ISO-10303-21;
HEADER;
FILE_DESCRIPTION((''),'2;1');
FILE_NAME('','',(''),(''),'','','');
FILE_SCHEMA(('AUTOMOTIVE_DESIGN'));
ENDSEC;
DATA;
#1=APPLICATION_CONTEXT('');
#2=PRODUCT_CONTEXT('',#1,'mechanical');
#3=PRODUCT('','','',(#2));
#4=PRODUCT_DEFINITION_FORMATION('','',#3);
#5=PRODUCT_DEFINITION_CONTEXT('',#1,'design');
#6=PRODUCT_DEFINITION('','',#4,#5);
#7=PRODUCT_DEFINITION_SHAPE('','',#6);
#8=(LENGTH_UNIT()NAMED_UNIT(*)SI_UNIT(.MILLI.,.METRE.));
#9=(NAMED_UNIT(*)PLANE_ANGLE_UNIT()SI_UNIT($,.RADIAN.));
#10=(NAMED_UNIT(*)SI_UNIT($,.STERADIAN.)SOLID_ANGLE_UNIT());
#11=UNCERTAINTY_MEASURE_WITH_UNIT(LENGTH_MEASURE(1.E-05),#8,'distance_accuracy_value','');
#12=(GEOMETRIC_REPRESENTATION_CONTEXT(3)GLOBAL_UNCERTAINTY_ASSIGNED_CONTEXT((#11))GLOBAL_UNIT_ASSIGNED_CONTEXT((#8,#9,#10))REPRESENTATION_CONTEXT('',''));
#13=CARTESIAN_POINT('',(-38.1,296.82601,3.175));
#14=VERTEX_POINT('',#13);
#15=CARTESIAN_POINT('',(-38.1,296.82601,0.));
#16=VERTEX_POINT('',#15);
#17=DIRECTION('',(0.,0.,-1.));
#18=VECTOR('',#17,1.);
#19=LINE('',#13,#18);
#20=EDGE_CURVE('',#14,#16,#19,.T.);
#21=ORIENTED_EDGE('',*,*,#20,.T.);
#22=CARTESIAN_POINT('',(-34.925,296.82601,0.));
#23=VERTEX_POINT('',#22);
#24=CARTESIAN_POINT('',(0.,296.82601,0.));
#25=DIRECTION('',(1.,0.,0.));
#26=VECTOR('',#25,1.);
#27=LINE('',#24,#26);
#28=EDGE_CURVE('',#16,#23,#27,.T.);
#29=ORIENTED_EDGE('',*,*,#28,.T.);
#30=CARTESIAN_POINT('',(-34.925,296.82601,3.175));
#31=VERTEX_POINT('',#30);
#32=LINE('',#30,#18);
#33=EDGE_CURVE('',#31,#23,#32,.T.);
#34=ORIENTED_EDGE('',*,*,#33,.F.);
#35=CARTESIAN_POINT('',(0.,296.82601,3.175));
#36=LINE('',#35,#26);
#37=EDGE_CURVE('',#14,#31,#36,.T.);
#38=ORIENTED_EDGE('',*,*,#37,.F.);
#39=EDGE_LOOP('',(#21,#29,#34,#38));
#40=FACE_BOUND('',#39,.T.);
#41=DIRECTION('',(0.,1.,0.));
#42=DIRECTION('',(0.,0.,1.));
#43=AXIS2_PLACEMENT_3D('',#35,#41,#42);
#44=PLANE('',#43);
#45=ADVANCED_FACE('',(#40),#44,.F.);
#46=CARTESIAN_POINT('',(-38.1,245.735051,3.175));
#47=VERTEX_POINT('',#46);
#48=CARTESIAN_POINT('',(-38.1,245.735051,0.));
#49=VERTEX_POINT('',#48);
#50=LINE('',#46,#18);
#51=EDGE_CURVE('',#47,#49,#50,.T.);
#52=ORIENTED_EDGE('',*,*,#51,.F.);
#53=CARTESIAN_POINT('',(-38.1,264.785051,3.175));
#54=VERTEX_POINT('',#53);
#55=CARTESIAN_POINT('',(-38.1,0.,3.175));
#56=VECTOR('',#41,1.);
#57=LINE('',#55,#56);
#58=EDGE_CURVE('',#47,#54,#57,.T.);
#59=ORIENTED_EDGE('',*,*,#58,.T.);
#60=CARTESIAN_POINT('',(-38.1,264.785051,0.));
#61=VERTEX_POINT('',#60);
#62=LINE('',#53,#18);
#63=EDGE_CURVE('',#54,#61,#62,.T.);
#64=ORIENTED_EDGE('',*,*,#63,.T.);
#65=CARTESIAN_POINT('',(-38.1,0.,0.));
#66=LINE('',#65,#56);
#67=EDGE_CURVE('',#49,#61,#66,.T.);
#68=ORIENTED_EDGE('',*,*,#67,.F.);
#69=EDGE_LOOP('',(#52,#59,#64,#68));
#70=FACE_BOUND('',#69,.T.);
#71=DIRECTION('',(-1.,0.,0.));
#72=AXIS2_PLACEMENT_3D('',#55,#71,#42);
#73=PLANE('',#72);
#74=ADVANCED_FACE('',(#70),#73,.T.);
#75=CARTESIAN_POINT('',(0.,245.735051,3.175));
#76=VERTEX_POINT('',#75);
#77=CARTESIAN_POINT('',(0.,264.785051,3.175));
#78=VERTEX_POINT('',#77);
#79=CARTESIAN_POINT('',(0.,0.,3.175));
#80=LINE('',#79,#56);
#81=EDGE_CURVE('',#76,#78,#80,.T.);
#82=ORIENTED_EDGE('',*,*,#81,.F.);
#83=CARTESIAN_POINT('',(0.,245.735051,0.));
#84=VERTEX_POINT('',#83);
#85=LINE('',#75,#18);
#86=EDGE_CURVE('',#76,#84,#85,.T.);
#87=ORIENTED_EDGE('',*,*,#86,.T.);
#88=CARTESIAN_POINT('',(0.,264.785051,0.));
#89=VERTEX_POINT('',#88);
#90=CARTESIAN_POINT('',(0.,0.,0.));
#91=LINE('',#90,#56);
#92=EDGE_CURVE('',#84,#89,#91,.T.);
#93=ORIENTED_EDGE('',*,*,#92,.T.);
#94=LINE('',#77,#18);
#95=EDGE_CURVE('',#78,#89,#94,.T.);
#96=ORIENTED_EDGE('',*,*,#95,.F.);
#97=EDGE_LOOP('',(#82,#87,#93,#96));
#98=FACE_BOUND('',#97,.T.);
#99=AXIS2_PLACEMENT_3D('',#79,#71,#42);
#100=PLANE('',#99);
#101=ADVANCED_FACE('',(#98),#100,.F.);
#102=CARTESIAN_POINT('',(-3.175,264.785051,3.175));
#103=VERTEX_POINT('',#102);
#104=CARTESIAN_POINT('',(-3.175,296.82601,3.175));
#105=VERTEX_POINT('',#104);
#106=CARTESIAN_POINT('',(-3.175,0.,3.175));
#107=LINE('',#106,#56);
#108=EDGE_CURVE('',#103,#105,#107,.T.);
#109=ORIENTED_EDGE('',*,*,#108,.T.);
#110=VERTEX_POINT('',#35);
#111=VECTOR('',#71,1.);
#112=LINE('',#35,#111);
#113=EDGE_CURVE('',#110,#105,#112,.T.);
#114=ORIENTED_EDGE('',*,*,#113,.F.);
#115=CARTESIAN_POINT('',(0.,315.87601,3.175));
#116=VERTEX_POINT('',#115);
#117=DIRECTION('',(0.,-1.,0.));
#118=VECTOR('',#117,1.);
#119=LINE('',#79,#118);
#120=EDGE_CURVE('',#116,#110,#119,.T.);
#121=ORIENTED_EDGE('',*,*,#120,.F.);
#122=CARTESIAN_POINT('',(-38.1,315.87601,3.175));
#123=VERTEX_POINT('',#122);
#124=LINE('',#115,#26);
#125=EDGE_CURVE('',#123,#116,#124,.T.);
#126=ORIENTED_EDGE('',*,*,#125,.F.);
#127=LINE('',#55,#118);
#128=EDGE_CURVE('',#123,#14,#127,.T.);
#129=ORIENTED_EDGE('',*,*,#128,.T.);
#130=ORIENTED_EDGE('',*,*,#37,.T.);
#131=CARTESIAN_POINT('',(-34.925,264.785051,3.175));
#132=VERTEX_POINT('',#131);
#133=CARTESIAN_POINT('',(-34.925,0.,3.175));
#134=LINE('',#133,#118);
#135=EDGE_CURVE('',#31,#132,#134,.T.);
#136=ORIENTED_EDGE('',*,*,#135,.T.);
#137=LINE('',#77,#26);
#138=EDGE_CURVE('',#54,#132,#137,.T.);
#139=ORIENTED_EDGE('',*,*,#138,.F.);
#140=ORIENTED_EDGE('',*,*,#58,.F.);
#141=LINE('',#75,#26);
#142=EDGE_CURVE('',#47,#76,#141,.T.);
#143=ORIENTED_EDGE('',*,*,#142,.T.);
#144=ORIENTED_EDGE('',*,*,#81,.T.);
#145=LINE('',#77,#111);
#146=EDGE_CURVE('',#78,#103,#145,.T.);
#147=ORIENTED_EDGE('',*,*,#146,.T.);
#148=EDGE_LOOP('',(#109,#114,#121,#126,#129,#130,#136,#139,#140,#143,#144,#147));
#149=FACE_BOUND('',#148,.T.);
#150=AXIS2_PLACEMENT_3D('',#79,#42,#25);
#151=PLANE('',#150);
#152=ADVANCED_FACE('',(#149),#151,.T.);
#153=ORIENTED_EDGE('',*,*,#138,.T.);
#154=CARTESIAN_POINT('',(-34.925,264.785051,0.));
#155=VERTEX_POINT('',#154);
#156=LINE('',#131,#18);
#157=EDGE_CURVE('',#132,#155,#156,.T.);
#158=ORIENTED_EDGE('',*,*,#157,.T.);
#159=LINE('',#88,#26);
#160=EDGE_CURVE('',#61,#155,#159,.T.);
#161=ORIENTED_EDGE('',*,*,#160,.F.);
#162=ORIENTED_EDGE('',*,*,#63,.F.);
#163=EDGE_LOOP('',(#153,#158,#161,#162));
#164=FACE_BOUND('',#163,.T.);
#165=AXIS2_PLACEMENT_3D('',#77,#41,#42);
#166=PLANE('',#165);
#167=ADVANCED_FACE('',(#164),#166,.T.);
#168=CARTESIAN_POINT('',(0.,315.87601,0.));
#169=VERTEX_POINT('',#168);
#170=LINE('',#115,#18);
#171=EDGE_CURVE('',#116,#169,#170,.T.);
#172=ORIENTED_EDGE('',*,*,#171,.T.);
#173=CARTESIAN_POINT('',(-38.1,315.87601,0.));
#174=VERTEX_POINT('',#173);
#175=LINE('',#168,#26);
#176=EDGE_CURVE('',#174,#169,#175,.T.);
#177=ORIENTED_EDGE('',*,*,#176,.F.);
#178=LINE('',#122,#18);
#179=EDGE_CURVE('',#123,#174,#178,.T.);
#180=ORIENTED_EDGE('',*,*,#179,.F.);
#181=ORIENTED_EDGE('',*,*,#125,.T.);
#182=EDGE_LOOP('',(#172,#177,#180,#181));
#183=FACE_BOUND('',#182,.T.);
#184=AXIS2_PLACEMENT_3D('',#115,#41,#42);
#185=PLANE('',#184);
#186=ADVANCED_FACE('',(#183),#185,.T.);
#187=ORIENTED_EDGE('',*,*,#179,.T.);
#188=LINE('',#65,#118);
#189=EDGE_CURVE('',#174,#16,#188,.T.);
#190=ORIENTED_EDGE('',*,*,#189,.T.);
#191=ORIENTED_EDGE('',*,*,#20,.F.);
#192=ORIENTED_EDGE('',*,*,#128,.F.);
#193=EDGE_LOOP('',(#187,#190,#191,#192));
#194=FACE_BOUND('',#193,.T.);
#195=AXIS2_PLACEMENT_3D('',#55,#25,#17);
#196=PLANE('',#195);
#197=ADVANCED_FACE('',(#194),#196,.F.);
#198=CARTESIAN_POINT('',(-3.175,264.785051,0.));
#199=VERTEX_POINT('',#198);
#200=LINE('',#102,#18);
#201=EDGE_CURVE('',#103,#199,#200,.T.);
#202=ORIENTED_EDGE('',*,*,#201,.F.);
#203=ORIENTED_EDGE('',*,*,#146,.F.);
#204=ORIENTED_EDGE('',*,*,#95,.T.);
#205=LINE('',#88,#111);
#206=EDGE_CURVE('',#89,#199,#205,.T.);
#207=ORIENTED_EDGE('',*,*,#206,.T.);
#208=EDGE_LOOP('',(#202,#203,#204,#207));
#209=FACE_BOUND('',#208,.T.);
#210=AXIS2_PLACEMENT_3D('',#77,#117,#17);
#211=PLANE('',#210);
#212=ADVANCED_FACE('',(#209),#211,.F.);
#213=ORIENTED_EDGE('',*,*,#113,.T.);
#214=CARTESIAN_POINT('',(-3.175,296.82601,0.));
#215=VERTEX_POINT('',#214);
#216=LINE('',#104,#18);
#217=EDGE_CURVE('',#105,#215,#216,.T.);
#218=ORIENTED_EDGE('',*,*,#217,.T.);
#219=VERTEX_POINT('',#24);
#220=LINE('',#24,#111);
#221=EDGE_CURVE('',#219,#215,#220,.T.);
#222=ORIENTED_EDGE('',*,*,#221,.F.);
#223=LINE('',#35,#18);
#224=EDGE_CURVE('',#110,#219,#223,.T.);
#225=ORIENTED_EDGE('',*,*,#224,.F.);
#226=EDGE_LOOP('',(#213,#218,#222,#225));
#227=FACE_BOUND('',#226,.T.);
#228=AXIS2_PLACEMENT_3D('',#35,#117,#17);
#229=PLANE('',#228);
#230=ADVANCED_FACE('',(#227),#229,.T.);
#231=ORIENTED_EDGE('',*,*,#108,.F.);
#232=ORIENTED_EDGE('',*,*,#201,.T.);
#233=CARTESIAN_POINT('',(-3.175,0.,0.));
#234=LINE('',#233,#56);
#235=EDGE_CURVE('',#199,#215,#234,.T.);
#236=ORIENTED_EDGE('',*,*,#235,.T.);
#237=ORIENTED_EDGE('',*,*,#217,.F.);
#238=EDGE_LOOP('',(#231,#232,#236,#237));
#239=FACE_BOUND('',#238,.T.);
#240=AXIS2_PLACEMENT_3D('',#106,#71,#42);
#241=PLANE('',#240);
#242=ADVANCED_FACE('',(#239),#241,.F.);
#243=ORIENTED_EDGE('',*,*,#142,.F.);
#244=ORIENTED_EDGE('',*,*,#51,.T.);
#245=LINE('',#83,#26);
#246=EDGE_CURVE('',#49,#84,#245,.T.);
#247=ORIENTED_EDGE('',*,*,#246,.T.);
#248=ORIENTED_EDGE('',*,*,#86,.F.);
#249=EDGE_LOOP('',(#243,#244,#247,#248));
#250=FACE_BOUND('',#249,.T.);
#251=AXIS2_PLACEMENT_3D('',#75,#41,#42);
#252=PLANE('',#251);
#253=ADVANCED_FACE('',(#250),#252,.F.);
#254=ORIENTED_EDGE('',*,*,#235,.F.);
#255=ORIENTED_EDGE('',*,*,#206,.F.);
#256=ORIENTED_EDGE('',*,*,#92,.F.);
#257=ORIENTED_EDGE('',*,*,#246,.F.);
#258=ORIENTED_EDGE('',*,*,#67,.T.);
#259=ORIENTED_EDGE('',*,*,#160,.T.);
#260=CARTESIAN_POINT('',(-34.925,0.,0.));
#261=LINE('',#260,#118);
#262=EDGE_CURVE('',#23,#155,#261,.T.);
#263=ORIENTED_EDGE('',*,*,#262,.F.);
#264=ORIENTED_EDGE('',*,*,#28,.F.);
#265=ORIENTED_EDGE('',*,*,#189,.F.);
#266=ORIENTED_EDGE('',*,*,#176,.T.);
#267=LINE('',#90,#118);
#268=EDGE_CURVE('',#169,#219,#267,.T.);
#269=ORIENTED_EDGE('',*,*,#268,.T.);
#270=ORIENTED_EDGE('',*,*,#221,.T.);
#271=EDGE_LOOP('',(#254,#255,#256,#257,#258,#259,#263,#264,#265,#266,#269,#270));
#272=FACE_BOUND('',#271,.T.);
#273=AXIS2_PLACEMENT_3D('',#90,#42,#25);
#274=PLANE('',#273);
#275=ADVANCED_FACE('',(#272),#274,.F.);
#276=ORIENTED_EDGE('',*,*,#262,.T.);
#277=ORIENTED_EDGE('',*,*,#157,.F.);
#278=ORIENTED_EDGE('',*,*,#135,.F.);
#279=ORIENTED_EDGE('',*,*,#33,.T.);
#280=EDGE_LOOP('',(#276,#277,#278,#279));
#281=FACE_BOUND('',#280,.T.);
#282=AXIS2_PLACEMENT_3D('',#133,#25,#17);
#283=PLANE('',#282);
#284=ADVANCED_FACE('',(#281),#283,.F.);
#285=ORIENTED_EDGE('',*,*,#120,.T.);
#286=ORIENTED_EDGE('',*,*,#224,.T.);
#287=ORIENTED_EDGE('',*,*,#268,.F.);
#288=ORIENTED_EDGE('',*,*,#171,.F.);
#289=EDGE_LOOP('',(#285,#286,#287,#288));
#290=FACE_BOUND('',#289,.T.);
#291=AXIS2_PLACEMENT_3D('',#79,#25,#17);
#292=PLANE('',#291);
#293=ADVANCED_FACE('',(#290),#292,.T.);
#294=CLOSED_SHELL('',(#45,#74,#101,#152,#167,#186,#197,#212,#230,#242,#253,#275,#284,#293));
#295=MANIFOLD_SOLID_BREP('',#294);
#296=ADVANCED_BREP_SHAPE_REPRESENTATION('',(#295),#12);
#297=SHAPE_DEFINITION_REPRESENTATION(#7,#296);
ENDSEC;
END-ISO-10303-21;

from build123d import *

# Parameters (mm, degrees)
BOSS_EXTRUDE1_DEPTH = 3.175


with BuildPart() as part:
    # Sketch1 → Boss-Extrude1 (new body)
    with BuildSketch(Plane.XY):
        Polygon((-34.925, 315.876009731), (-38.1, 315.876009731), (-38.1, 296.826009731), (-34.925, 296.826009731), (-34.925, 264.785050798), (-38.1, 264.785050798), (-38.1, 245.735050798), (-34.925, 245.735050798), (-3.175, 245.735050798), (0, 245.735050798), (0, 264.785050798), (-3.175, 264.785050798), (-3.175, 296.826009731), (0, 296.826009731), (0, 315.876009731), (-3.175, 315.876009731), align=None)
    extrude(amount=BOSS_EXTRUDE1_DEPTH)


solid = part.part
